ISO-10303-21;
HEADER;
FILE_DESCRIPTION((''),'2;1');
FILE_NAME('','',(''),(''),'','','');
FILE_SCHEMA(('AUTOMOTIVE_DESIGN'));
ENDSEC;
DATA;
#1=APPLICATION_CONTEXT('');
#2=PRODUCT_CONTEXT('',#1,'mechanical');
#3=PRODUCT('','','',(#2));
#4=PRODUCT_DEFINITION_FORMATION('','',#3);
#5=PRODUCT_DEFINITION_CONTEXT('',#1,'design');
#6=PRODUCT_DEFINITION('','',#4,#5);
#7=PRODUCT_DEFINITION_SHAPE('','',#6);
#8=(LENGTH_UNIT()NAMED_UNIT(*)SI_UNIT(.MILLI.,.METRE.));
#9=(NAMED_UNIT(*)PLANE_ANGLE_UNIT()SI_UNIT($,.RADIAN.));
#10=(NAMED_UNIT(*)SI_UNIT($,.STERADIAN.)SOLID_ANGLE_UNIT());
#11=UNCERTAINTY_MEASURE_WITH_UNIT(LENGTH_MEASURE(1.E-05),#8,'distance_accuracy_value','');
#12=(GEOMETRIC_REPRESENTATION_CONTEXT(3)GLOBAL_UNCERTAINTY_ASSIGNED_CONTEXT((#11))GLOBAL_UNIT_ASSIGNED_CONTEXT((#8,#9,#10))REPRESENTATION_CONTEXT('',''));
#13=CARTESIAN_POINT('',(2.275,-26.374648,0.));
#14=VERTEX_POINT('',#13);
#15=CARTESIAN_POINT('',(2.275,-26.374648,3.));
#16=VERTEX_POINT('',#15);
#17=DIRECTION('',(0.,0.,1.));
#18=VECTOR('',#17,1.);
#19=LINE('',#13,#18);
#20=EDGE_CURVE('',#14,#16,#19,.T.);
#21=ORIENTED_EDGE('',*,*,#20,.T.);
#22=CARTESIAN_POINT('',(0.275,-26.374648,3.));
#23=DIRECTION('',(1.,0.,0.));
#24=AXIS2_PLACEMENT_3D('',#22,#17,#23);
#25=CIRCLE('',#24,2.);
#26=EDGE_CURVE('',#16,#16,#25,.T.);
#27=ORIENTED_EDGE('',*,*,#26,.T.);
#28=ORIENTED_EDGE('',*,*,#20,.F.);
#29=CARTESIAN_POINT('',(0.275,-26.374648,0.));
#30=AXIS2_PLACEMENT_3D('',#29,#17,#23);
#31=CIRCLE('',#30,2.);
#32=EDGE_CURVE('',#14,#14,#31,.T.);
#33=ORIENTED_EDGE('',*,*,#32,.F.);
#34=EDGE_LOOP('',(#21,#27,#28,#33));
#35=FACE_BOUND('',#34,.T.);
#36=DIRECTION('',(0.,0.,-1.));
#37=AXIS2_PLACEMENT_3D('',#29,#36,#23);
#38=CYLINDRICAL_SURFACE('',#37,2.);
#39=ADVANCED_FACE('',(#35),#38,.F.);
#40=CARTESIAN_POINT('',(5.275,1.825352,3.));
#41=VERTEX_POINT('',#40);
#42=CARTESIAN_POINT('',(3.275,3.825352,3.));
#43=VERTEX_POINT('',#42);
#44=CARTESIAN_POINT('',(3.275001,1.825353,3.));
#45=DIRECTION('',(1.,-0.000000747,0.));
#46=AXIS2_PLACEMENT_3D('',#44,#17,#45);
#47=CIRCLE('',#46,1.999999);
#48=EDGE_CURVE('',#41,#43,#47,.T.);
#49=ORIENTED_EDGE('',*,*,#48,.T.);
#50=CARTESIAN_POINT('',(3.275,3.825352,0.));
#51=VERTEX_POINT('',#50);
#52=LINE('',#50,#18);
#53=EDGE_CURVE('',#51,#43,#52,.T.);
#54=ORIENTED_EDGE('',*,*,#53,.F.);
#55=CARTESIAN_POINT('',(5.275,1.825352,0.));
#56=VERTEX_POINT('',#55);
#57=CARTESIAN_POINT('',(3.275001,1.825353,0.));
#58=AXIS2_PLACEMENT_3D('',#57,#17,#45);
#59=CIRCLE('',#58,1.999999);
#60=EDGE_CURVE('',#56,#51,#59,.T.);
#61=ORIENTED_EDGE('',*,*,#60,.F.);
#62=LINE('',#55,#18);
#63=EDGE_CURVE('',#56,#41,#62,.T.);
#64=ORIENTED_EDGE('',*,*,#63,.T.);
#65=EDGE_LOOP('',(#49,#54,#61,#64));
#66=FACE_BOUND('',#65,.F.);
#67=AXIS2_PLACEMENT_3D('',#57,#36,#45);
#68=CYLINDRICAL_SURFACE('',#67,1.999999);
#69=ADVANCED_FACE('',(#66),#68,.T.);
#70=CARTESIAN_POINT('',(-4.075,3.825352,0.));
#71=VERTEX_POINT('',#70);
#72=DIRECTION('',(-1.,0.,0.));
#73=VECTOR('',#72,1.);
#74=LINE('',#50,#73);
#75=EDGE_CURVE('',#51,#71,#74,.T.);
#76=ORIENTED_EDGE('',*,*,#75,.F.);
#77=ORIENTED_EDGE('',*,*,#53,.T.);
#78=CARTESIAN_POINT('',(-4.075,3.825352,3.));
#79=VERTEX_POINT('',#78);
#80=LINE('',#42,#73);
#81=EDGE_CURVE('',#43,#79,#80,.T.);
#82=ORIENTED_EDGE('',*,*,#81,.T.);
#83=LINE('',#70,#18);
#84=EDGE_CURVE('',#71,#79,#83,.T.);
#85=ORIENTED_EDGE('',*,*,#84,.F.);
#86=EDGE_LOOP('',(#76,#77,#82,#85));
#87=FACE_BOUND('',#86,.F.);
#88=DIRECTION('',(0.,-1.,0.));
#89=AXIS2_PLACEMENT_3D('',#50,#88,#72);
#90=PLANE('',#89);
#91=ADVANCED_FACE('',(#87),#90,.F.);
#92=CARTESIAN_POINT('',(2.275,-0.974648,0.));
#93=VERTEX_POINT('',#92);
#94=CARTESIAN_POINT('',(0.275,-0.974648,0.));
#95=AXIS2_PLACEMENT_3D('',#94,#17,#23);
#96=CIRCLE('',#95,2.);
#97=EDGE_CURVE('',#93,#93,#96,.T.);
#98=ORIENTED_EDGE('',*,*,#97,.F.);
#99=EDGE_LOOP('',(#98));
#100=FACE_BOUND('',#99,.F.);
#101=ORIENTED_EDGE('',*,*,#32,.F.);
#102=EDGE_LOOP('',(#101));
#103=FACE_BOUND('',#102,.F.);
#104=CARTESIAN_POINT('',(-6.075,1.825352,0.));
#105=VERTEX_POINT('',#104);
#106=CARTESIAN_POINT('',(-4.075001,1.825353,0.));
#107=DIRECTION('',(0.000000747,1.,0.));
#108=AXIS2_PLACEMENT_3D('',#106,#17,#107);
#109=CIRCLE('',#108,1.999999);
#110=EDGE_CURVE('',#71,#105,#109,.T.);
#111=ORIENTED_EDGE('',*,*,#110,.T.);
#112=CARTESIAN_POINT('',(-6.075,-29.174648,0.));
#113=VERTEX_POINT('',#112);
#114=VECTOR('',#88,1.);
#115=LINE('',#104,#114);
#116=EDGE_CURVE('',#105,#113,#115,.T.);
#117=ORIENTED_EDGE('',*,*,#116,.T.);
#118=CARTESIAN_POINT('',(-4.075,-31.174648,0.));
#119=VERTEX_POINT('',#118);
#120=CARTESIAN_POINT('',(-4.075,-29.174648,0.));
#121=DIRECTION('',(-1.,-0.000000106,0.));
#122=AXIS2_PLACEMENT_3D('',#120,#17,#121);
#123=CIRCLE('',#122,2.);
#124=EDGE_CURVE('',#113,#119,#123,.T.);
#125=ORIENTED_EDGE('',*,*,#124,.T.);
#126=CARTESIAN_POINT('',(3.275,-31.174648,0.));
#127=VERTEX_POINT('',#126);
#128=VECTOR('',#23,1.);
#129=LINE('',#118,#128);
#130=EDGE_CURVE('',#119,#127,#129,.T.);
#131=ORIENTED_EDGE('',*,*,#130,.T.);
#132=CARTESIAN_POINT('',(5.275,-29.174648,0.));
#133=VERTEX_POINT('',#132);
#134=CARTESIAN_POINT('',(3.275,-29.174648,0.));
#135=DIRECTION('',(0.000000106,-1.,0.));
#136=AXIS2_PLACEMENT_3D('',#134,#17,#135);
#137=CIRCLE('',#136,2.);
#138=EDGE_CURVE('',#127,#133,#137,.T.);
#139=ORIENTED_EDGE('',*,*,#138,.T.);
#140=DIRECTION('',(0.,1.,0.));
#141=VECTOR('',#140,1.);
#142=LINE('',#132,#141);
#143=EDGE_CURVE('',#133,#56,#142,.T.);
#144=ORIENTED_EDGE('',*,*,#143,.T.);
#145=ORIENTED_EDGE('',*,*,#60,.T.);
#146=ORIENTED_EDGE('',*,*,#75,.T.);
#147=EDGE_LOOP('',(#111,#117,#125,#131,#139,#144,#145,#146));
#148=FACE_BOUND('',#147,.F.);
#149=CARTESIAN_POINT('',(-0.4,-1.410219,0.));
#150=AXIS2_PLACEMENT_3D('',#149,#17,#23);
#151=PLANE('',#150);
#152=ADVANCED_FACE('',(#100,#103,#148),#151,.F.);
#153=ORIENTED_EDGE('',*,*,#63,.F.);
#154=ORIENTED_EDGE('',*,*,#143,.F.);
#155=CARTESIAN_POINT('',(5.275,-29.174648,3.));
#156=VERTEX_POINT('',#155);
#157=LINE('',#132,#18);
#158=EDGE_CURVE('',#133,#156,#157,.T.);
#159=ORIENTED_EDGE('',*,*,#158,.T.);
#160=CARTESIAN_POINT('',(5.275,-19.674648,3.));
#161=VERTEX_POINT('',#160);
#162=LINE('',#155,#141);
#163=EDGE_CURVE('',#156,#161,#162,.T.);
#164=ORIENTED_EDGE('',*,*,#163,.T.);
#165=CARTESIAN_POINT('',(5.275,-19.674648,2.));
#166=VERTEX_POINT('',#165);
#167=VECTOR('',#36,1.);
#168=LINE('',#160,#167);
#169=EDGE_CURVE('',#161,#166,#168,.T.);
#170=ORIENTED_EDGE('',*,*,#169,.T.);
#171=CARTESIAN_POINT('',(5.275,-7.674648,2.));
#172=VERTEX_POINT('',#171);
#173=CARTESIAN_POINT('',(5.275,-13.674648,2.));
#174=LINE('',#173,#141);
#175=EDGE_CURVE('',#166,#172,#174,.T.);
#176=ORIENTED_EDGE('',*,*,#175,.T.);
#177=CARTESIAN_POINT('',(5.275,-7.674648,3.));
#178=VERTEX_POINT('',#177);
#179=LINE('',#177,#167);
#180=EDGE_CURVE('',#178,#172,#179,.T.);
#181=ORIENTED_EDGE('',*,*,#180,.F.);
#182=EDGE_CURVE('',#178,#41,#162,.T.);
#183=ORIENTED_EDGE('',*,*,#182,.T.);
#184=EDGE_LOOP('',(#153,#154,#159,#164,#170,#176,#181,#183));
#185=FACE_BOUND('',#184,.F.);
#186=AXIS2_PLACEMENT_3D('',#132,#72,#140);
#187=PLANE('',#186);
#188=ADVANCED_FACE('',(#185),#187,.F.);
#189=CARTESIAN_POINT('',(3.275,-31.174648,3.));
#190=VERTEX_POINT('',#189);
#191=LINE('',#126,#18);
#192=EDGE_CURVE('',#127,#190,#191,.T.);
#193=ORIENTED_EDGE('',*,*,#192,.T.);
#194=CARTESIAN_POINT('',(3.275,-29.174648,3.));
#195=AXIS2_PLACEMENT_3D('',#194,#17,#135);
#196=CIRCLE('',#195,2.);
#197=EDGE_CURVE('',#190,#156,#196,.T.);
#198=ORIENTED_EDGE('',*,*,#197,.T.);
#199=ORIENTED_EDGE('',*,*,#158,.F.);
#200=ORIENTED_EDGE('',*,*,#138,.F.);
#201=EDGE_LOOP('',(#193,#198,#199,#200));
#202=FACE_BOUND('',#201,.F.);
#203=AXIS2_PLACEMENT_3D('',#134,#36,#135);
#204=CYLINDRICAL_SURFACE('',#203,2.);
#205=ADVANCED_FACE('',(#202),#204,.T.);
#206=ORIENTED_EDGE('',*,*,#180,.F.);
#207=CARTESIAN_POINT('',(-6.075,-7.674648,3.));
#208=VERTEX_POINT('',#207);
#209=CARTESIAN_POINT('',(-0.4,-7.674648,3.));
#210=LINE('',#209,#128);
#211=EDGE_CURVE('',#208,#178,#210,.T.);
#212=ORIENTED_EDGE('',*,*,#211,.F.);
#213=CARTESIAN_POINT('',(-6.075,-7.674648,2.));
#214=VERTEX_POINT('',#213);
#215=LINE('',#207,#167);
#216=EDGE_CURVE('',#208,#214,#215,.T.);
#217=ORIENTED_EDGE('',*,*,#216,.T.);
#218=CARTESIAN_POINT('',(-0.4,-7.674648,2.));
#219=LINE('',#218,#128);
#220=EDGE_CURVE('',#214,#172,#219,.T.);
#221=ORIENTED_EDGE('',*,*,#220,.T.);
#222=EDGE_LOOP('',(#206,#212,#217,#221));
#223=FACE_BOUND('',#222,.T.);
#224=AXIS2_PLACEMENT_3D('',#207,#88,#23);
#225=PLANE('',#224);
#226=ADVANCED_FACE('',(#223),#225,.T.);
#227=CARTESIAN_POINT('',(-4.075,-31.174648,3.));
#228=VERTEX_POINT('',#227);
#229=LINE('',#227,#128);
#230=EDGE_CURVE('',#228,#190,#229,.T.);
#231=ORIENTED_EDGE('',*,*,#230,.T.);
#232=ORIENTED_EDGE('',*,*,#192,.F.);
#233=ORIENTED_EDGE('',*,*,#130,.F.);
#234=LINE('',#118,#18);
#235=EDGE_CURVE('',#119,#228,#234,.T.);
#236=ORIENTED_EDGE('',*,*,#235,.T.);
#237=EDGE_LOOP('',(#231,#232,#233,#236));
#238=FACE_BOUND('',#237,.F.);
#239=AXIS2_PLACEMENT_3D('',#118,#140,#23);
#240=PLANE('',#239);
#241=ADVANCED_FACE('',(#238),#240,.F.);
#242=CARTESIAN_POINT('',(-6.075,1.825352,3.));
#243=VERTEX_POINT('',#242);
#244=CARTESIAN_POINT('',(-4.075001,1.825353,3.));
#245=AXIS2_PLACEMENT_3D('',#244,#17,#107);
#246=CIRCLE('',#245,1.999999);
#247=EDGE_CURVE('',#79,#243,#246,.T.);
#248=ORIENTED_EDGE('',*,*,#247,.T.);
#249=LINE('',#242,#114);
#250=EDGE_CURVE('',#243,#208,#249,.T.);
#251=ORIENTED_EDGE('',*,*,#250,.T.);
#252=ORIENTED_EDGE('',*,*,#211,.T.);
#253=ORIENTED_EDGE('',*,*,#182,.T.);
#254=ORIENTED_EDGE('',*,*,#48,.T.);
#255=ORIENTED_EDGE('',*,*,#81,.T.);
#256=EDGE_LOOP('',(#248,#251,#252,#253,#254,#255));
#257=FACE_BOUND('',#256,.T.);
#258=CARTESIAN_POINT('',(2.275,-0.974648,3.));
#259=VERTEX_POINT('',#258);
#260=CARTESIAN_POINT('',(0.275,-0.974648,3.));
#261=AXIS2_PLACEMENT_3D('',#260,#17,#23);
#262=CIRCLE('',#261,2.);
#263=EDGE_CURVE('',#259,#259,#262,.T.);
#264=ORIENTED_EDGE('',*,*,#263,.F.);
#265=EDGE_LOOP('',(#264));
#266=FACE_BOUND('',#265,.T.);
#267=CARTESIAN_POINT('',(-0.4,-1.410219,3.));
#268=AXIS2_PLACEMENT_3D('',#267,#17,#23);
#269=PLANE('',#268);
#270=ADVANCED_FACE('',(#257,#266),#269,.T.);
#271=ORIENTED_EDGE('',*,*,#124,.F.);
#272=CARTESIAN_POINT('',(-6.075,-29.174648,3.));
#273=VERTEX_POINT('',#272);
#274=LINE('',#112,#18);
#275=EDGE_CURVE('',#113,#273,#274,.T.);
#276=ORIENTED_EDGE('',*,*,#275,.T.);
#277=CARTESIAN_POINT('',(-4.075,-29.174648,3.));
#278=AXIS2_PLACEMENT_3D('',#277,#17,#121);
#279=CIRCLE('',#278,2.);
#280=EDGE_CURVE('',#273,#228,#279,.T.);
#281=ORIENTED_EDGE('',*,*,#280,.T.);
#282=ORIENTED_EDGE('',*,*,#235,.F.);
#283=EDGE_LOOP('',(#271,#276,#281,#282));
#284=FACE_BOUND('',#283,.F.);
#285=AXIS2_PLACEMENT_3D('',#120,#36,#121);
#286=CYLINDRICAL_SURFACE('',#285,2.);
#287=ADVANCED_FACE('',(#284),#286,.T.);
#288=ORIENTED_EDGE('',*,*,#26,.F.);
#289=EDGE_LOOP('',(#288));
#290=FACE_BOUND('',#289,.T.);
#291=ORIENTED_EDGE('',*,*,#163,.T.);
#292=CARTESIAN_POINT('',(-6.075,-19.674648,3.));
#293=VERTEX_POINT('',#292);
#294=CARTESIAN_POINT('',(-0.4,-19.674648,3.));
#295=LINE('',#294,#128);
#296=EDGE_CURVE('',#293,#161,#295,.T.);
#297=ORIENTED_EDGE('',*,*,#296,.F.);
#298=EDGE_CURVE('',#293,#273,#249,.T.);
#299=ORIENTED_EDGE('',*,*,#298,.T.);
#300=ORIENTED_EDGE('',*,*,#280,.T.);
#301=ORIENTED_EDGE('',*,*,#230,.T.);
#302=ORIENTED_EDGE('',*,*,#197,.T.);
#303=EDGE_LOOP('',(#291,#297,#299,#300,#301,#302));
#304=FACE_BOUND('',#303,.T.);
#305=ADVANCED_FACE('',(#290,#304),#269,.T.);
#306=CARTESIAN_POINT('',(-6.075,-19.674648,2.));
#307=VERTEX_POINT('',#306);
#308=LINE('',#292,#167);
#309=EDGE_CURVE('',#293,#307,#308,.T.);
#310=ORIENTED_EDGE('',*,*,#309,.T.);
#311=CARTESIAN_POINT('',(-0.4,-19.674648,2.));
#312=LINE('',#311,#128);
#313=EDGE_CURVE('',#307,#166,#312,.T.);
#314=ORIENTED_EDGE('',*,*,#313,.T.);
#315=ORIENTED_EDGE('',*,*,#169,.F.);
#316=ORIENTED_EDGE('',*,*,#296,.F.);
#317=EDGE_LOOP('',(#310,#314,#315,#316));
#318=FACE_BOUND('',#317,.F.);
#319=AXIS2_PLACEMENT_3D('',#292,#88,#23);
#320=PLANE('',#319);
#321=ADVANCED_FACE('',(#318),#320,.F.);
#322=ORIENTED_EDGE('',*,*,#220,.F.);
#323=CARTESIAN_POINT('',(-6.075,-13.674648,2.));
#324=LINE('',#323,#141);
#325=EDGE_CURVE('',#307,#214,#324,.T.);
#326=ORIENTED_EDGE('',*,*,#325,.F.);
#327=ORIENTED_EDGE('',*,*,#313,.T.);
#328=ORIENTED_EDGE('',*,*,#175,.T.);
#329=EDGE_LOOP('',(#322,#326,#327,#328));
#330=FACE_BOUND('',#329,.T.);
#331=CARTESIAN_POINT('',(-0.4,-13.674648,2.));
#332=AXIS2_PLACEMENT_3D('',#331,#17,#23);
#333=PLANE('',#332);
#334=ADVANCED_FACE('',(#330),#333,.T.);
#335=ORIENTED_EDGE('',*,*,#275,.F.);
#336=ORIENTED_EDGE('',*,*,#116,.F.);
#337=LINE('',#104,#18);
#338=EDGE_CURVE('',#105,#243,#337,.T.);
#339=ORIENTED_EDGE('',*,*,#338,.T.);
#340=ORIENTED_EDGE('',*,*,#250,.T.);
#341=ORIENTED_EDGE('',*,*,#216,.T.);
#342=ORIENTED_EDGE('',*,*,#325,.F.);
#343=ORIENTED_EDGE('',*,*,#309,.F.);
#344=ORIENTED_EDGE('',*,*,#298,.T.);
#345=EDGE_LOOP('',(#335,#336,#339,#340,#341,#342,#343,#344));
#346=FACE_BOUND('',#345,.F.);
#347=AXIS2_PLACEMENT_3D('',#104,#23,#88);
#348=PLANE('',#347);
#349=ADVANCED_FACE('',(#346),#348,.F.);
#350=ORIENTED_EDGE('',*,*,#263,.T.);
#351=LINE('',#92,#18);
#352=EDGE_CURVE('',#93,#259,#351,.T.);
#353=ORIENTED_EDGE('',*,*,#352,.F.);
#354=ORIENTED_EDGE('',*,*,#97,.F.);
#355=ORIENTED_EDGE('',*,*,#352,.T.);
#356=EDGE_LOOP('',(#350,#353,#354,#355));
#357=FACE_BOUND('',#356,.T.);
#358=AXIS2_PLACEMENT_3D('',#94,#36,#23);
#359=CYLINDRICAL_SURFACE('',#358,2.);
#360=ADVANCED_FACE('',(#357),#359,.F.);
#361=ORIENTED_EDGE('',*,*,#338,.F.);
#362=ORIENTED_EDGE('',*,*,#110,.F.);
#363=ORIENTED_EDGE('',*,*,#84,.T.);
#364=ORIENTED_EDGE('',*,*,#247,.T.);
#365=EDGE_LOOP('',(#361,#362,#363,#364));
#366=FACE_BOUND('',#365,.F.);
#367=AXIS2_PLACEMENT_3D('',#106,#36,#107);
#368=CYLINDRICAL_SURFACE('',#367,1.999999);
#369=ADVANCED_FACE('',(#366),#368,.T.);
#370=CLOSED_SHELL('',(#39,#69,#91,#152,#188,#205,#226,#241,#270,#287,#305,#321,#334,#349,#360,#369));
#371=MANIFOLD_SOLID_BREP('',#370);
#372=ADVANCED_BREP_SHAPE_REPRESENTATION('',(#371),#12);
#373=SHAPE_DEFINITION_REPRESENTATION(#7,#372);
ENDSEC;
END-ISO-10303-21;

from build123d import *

# Parameters (mm, degrees)
F0_R     = 2
F0_W     = 11.35
F0_H     = 7.5
F1_DEPTH = 3
F2_W     = 11.35
F2_H     = 12
F3_DEPTH = 1


with BuildPart() as f1:
    # F0 (on Top) → F1 (new body)
    with BuildSketch(Plane.XY):
        with BuildLine():
            Line((-6.075, -6.174648), (5.275, -6.174648))
            Line((5.275, -6.174648), (5.275, 1.825352))
            ThreePointArc((5.275, 1.825352), (4.689214, 3.239566), (3.275, 3.825352))
            Line((3.275, 3.825352), (-4.075, 3.825352))
            ThreePointArc((-4.075, 3.825352), (-5.489214, 3.239566), (-6.075, 1.825352))
            Line((-6.075, 1.825352), (-6.075, -6.174648))
        make_face()
        with Locations((0.275, -0.974648)):
            Circle(F0_R, mode=Mode.SUBTRACT)
        with BuildLine():
            Line((5.275, -21.174648), (5.275, -13.674648))
            Line((5.275, -13.674648), (-6.075, -13.674648))
            Line((-6.075, -13.674648), (-6.075, -21.174648))
            Line((-6.075, -21.174648), (-6.075, -29.174648))
            ThreePointArc((-6.075, -29.174648), (-5.489214, -30.588861), (-4.075, -31.174648))
            Line((-4.075, -31.174648), (3.275, -31.174648))
            ThreePointArc((3.275, -31.174648), (4.689214, -30.588861), (5.275, -29.174648))
            Line((5.275, -29.174648), (5.275, -21.174648))
        make_face()
        with Locations((0.275, -26.374648)):
            Circle(F0_R, mode=Mode.SUBTRACT)
        with Locations((-0.4, -9.924648)):
            Rectangle(F0_W, F0_H)
    extrude(amount=F1_DEPTH)

    # F2 (on face) → F3 (cut)
    with BuildSketch(Plane.XY.offset(3)):
        with Locations((-0.4, -13.674648)):
            Rectangle(F2_W, F2_H)
    extrude(amount=-F3_DEPTH, mode=Mode.SUBTRACT)


solid = f1.part
